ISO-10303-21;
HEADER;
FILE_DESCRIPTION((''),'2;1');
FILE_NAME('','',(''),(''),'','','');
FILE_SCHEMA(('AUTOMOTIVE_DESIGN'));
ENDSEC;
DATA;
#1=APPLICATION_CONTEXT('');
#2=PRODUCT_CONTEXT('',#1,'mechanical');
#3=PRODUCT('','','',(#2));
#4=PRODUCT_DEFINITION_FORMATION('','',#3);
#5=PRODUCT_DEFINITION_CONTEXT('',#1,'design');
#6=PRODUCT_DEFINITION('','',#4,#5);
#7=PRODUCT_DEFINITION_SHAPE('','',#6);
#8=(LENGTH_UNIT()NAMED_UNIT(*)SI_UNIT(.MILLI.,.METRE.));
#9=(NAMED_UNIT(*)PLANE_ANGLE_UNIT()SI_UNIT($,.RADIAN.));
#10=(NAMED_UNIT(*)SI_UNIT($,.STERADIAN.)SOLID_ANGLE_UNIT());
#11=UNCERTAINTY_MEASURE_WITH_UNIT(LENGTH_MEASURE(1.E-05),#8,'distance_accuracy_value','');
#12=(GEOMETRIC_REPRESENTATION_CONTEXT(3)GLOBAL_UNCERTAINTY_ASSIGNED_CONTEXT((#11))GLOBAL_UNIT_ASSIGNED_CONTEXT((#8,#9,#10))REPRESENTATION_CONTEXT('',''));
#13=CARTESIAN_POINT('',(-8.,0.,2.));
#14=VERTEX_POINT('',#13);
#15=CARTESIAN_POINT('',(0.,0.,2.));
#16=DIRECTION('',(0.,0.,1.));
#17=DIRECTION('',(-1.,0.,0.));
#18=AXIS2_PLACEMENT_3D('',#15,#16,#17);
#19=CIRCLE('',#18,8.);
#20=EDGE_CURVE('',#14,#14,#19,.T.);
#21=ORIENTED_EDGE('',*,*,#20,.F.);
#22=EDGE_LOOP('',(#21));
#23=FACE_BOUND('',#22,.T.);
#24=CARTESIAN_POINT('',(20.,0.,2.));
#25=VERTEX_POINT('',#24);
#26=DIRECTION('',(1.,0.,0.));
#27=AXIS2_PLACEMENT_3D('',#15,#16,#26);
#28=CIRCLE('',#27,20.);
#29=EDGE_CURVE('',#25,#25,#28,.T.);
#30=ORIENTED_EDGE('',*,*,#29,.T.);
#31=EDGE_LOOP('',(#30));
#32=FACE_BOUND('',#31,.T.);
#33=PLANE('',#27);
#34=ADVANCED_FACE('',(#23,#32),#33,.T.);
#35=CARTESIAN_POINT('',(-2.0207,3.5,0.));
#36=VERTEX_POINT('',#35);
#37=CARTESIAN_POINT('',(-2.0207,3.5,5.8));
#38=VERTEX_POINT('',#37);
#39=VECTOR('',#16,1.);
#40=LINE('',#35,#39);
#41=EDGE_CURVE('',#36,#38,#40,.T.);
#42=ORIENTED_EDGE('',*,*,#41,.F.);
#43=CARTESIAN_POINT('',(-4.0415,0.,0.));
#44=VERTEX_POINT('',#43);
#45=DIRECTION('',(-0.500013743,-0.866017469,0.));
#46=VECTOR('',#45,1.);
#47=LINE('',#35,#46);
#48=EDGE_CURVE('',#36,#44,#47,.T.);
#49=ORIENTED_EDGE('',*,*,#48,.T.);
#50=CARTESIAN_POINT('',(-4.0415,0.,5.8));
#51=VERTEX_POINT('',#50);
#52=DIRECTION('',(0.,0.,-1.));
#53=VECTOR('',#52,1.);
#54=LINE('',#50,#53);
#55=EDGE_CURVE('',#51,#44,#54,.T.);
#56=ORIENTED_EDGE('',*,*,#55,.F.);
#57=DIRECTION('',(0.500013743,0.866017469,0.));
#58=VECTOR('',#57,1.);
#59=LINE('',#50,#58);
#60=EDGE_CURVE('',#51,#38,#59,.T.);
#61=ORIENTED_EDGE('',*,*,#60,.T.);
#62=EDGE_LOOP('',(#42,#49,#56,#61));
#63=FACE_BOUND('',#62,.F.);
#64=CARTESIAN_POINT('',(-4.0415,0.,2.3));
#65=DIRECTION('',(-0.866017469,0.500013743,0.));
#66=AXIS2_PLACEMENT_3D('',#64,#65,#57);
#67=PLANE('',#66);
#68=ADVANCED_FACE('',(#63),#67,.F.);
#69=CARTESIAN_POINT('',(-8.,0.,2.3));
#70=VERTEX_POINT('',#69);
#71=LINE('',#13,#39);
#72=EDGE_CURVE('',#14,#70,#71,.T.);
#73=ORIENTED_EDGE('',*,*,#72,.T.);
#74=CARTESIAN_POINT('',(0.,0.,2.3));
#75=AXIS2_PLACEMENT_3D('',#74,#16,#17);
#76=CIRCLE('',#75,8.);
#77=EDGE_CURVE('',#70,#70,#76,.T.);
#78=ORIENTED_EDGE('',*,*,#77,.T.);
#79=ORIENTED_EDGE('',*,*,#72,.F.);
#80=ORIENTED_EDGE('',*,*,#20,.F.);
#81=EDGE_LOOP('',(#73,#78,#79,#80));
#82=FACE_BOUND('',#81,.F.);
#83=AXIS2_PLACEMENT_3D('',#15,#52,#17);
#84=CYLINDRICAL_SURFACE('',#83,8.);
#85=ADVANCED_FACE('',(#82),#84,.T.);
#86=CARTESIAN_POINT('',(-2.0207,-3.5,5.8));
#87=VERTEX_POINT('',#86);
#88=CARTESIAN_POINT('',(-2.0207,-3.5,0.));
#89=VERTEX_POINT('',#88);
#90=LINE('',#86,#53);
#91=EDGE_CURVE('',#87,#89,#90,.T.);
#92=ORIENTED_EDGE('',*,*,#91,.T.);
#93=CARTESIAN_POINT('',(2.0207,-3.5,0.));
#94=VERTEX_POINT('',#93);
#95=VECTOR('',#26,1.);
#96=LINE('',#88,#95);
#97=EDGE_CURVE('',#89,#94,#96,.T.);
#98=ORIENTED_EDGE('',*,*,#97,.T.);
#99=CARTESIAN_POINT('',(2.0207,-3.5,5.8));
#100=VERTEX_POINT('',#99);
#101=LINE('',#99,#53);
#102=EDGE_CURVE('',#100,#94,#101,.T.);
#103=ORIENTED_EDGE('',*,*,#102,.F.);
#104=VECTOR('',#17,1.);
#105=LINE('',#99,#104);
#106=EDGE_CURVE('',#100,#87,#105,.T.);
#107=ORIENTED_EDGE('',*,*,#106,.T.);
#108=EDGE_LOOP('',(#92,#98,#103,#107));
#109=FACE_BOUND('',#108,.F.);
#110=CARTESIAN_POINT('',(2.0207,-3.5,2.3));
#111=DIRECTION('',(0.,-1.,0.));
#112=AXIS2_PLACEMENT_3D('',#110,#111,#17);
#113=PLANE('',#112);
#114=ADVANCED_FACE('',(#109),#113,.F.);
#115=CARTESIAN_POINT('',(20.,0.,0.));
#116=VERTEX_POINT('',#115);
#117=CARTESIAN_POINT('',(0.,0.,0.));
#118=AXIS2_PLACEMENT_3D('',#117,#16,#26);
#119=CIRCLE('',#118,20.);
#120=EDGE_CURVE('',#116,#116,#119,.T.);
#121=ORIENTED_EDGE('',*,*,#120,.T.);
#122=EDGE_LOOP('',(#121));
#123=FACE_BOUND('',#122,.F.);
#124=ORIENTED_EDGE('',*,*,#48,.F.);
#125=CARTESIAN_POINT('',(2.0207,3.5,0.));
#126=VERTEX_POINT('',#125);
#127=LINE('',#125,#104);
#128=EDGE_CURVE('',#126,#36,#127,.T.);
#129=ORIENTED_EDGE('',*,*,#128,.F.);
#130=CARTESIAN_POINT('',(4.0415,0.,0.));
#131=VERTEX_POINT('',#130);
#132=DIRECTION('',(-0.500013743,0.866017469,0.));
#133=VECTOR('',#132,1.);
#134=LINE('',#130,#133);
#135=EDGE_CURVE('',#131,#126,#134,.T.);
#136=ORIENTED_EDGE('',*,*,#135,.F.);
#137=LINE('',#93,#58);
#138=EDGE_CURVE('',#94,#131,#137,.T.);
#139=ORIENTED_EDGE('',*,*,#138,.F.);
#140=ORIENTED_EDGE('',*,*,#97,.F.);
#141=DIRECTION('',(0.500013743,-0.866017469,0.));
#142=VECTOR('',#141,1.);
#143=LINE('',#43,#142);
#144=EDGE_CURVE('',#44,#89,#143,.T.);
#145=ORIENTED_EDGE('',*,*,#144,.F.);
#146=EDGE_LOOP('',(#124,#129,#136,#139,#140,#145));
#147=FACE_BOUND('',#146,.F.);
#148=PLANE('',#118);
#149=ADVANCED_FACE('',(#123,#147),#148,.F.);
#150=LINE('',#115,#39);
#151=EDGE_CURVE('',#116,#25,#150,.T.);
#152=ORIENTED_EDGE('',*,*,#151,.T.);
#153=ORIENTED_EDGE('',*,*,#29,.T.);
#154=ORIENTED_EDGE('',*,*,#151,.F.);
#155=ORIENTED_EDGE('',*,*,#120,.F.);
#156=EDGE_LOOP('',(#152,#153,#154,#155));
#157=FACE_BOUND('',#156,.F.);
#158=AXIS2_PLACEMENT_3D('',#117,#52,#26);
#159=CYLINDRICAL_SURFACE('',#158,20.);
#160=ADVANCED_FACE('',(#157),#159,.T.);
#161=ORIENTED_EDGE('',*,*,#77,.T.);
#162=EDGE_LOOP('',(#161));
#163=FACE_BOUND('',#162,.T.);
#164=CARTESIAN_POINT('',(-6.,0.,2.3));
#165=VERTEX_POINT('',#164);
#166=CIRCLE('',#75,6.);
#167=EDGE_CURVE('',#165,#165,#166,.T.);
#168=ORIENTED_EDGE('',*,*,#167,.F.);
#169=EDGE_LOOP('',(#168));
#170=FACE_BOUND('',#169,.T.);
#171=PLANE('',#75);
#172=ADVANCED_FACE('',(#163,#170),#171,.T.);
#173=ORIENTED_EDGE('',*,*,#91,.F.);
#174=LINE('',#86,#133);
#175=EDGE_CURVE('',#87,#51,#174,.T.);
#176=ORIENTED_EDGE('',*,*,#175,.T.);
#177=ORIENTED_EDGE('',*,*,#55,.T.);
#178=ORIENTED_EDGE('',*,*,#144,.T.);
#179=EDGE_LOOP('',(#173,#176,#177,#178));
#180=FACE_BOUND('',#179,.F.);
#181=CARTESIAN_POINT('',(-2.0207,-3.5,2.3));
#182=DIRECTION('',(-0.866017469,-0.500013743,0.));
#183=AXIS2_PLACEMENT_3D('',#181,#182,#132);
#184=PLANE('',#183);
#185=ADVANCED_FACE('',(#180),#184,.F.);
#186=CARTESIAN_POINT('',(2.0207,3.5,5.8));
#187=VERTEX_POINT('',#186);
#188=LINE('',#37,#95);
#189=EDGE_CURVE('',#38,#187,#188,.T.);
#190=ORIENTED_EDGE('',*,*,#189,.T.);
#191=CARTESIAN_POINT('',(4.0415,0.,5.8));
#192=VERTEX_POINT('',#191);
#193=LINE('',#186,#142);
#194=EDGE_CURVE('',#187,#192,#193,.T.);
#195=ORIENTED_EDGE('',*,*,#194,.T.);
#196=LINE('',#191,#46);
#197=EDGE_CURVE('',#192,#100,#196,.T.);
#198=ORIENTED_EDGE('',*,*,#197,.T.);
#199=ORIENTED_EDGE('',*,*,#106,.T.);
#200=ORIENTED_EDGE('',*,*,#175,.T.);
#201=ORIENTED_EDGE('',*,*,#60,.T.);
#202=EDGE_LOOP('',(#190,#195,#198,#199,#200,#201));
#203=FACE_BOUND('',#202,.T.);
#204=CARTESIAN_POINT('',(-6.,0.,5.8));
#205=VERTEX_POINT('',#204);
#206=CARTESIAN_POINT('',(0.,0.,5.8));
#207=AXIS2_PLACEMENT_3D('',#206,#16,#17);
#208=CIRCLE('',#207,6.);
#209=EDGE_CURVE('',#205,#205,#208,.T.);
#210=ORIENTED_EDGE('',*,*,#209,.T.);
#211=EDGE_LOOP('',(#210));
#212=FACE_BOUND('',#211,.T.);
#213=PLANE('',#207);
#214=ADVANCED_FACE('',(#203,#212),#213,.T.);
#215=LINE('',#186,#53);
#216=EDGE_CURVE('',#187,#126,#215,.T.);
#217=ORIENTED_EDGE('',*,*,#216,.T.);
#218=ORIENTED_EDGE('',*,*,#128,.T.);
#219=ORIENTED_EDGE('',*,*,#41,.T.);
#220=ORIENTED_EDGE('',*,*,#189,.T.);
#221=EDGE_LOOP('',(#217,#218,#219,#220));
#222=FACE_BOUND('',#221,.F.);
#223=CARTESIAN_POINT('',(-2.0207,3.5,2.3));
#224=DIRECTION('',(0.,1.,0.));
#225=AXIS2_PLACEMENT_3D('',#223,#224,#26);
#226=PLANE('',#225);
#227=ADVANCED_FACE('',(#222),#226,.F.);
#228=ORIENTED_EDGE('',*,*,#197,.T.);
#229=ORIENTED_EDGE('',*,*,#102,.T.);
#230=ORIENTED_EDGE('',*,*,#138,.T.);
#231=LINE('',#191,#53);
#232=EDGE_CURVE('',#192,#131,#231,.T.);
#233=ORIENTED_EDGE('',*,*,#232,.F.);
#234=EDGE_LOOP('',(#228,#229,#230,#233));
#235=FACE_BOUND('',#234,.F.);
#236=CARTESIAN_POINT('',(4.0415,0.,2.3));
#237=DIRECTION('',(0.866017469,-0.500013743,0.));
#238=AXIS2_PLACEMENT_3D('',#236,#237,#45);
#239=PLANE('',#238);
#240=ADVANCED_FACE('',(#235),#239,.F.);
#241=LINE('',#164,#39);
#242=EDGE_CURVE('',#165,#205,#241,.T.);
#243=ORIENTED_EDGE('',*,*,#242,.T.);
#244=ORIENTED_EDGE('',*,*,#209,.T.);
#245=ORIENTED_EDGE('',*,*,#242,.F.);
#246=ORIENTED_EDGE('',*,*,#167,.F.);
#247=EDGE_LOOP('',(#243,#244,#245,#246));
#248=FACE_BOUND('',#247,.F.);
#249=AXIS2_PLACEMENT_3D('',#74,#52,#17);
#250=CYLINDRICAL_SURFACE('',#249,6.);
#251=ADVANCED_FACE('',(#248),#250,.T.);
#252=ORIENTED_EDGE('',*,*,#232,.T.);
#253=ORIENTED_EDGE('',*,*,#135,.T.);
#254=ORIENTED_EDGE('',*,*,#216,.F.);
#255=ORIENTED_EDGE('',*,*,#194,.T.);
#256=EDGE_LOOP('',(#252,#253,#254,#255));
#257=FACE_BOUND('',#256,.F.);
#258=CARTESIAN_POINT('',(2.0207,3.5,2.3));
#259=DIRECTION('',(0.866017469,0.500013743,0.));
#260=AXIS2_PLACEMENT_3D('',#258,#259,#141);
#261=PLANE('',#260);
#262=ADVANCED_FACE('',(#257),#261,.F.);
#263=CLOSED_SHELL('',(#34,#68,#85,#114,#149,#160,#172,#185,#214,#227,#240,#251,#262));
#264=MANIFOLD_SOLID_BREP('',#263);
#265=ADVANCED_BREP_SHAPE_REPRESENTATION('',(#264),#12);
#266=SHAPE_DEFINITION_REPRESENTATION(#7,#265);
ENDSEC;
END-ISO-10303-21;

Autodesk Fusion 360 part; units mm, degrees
sketch "Sketch1" plane through (0, 0, 0) normal (0, 0, 1) x (1, 0, 0)
  circle A0 centre (0, 0) radius 20
  line L0 (4.0415, 0) -> (2.0207, 3.5)
  line L1 (2.0207, 3.5) -> (-2.0207, 3.5)
  line L2 (-2.0207, 3.5) -> (-4.0415, 0)
  line L3 (-4.0415, 0) -> (-2.0207, -3.5)
  line L4 (-2.0207, -3.5) -> (2.0207, -3.5)
  line L5 (2.0207, -3.5) -> (4.0415, 0)
  dimension "d1" = 40
  dimension "d10" = 7
extrude "Extrude1" add sketch "Sketch1" along normal blind 2
sketch "Sketch2" plane through (0, 0, 2) normal (0, 0, 1) x (-1, 0, 0)
  circle A0 centre (0, 0) radius 20
  circle A1 centre (0, 0) radius 8
  line L0 (-4.0415, 0) -> (-2.0207, 3.5)
  line L1 (-2.0207, 3.5) -> (2.0207, 3.5)
  line L2 (2.0207, 3.5) -> (4.0415, 0)
  line L3 (4.0415, 0) -> (2.0207, -3.5)
  line L4 (2.0207, -3.5) -> (-2.0207, -3.5)
  line L5 (-2.0207, -3.5) -> (-4.0415, 0)
  dimension "d4" = 16
extrude "Extrude2" add sketch "Sketch2" along normal blind 0.3 contours A1
sketch "Sketch3" plane through (0, 0, 2.3) normal (0, 0, 1) x (-1, 0, 0)
  circle A0 centre (0, 0) radius 8
  circle A1 centre (0, 0) radius 6
  line L0 (2.0207, -3.5) -> (-2.0207, -3.5)
  line L1 (-2.0207, -3.5) -> (-4.0415, 0)
  line L2 (-4.0415, 0) -> (-2.0207, 3.5)
  line L3 (-2.0207, 3.5) -> (2.0207, 3.5)
  line L4 (2.0207, 3.5) -> (4.0415, 0)
  line L5 (4.0415, 0) -> (2.0207, -3.5)
  dimension "d7" = 12
extrude "Extrude3" add sketch "Sketch3" along normal blind 3.5 contours A1
